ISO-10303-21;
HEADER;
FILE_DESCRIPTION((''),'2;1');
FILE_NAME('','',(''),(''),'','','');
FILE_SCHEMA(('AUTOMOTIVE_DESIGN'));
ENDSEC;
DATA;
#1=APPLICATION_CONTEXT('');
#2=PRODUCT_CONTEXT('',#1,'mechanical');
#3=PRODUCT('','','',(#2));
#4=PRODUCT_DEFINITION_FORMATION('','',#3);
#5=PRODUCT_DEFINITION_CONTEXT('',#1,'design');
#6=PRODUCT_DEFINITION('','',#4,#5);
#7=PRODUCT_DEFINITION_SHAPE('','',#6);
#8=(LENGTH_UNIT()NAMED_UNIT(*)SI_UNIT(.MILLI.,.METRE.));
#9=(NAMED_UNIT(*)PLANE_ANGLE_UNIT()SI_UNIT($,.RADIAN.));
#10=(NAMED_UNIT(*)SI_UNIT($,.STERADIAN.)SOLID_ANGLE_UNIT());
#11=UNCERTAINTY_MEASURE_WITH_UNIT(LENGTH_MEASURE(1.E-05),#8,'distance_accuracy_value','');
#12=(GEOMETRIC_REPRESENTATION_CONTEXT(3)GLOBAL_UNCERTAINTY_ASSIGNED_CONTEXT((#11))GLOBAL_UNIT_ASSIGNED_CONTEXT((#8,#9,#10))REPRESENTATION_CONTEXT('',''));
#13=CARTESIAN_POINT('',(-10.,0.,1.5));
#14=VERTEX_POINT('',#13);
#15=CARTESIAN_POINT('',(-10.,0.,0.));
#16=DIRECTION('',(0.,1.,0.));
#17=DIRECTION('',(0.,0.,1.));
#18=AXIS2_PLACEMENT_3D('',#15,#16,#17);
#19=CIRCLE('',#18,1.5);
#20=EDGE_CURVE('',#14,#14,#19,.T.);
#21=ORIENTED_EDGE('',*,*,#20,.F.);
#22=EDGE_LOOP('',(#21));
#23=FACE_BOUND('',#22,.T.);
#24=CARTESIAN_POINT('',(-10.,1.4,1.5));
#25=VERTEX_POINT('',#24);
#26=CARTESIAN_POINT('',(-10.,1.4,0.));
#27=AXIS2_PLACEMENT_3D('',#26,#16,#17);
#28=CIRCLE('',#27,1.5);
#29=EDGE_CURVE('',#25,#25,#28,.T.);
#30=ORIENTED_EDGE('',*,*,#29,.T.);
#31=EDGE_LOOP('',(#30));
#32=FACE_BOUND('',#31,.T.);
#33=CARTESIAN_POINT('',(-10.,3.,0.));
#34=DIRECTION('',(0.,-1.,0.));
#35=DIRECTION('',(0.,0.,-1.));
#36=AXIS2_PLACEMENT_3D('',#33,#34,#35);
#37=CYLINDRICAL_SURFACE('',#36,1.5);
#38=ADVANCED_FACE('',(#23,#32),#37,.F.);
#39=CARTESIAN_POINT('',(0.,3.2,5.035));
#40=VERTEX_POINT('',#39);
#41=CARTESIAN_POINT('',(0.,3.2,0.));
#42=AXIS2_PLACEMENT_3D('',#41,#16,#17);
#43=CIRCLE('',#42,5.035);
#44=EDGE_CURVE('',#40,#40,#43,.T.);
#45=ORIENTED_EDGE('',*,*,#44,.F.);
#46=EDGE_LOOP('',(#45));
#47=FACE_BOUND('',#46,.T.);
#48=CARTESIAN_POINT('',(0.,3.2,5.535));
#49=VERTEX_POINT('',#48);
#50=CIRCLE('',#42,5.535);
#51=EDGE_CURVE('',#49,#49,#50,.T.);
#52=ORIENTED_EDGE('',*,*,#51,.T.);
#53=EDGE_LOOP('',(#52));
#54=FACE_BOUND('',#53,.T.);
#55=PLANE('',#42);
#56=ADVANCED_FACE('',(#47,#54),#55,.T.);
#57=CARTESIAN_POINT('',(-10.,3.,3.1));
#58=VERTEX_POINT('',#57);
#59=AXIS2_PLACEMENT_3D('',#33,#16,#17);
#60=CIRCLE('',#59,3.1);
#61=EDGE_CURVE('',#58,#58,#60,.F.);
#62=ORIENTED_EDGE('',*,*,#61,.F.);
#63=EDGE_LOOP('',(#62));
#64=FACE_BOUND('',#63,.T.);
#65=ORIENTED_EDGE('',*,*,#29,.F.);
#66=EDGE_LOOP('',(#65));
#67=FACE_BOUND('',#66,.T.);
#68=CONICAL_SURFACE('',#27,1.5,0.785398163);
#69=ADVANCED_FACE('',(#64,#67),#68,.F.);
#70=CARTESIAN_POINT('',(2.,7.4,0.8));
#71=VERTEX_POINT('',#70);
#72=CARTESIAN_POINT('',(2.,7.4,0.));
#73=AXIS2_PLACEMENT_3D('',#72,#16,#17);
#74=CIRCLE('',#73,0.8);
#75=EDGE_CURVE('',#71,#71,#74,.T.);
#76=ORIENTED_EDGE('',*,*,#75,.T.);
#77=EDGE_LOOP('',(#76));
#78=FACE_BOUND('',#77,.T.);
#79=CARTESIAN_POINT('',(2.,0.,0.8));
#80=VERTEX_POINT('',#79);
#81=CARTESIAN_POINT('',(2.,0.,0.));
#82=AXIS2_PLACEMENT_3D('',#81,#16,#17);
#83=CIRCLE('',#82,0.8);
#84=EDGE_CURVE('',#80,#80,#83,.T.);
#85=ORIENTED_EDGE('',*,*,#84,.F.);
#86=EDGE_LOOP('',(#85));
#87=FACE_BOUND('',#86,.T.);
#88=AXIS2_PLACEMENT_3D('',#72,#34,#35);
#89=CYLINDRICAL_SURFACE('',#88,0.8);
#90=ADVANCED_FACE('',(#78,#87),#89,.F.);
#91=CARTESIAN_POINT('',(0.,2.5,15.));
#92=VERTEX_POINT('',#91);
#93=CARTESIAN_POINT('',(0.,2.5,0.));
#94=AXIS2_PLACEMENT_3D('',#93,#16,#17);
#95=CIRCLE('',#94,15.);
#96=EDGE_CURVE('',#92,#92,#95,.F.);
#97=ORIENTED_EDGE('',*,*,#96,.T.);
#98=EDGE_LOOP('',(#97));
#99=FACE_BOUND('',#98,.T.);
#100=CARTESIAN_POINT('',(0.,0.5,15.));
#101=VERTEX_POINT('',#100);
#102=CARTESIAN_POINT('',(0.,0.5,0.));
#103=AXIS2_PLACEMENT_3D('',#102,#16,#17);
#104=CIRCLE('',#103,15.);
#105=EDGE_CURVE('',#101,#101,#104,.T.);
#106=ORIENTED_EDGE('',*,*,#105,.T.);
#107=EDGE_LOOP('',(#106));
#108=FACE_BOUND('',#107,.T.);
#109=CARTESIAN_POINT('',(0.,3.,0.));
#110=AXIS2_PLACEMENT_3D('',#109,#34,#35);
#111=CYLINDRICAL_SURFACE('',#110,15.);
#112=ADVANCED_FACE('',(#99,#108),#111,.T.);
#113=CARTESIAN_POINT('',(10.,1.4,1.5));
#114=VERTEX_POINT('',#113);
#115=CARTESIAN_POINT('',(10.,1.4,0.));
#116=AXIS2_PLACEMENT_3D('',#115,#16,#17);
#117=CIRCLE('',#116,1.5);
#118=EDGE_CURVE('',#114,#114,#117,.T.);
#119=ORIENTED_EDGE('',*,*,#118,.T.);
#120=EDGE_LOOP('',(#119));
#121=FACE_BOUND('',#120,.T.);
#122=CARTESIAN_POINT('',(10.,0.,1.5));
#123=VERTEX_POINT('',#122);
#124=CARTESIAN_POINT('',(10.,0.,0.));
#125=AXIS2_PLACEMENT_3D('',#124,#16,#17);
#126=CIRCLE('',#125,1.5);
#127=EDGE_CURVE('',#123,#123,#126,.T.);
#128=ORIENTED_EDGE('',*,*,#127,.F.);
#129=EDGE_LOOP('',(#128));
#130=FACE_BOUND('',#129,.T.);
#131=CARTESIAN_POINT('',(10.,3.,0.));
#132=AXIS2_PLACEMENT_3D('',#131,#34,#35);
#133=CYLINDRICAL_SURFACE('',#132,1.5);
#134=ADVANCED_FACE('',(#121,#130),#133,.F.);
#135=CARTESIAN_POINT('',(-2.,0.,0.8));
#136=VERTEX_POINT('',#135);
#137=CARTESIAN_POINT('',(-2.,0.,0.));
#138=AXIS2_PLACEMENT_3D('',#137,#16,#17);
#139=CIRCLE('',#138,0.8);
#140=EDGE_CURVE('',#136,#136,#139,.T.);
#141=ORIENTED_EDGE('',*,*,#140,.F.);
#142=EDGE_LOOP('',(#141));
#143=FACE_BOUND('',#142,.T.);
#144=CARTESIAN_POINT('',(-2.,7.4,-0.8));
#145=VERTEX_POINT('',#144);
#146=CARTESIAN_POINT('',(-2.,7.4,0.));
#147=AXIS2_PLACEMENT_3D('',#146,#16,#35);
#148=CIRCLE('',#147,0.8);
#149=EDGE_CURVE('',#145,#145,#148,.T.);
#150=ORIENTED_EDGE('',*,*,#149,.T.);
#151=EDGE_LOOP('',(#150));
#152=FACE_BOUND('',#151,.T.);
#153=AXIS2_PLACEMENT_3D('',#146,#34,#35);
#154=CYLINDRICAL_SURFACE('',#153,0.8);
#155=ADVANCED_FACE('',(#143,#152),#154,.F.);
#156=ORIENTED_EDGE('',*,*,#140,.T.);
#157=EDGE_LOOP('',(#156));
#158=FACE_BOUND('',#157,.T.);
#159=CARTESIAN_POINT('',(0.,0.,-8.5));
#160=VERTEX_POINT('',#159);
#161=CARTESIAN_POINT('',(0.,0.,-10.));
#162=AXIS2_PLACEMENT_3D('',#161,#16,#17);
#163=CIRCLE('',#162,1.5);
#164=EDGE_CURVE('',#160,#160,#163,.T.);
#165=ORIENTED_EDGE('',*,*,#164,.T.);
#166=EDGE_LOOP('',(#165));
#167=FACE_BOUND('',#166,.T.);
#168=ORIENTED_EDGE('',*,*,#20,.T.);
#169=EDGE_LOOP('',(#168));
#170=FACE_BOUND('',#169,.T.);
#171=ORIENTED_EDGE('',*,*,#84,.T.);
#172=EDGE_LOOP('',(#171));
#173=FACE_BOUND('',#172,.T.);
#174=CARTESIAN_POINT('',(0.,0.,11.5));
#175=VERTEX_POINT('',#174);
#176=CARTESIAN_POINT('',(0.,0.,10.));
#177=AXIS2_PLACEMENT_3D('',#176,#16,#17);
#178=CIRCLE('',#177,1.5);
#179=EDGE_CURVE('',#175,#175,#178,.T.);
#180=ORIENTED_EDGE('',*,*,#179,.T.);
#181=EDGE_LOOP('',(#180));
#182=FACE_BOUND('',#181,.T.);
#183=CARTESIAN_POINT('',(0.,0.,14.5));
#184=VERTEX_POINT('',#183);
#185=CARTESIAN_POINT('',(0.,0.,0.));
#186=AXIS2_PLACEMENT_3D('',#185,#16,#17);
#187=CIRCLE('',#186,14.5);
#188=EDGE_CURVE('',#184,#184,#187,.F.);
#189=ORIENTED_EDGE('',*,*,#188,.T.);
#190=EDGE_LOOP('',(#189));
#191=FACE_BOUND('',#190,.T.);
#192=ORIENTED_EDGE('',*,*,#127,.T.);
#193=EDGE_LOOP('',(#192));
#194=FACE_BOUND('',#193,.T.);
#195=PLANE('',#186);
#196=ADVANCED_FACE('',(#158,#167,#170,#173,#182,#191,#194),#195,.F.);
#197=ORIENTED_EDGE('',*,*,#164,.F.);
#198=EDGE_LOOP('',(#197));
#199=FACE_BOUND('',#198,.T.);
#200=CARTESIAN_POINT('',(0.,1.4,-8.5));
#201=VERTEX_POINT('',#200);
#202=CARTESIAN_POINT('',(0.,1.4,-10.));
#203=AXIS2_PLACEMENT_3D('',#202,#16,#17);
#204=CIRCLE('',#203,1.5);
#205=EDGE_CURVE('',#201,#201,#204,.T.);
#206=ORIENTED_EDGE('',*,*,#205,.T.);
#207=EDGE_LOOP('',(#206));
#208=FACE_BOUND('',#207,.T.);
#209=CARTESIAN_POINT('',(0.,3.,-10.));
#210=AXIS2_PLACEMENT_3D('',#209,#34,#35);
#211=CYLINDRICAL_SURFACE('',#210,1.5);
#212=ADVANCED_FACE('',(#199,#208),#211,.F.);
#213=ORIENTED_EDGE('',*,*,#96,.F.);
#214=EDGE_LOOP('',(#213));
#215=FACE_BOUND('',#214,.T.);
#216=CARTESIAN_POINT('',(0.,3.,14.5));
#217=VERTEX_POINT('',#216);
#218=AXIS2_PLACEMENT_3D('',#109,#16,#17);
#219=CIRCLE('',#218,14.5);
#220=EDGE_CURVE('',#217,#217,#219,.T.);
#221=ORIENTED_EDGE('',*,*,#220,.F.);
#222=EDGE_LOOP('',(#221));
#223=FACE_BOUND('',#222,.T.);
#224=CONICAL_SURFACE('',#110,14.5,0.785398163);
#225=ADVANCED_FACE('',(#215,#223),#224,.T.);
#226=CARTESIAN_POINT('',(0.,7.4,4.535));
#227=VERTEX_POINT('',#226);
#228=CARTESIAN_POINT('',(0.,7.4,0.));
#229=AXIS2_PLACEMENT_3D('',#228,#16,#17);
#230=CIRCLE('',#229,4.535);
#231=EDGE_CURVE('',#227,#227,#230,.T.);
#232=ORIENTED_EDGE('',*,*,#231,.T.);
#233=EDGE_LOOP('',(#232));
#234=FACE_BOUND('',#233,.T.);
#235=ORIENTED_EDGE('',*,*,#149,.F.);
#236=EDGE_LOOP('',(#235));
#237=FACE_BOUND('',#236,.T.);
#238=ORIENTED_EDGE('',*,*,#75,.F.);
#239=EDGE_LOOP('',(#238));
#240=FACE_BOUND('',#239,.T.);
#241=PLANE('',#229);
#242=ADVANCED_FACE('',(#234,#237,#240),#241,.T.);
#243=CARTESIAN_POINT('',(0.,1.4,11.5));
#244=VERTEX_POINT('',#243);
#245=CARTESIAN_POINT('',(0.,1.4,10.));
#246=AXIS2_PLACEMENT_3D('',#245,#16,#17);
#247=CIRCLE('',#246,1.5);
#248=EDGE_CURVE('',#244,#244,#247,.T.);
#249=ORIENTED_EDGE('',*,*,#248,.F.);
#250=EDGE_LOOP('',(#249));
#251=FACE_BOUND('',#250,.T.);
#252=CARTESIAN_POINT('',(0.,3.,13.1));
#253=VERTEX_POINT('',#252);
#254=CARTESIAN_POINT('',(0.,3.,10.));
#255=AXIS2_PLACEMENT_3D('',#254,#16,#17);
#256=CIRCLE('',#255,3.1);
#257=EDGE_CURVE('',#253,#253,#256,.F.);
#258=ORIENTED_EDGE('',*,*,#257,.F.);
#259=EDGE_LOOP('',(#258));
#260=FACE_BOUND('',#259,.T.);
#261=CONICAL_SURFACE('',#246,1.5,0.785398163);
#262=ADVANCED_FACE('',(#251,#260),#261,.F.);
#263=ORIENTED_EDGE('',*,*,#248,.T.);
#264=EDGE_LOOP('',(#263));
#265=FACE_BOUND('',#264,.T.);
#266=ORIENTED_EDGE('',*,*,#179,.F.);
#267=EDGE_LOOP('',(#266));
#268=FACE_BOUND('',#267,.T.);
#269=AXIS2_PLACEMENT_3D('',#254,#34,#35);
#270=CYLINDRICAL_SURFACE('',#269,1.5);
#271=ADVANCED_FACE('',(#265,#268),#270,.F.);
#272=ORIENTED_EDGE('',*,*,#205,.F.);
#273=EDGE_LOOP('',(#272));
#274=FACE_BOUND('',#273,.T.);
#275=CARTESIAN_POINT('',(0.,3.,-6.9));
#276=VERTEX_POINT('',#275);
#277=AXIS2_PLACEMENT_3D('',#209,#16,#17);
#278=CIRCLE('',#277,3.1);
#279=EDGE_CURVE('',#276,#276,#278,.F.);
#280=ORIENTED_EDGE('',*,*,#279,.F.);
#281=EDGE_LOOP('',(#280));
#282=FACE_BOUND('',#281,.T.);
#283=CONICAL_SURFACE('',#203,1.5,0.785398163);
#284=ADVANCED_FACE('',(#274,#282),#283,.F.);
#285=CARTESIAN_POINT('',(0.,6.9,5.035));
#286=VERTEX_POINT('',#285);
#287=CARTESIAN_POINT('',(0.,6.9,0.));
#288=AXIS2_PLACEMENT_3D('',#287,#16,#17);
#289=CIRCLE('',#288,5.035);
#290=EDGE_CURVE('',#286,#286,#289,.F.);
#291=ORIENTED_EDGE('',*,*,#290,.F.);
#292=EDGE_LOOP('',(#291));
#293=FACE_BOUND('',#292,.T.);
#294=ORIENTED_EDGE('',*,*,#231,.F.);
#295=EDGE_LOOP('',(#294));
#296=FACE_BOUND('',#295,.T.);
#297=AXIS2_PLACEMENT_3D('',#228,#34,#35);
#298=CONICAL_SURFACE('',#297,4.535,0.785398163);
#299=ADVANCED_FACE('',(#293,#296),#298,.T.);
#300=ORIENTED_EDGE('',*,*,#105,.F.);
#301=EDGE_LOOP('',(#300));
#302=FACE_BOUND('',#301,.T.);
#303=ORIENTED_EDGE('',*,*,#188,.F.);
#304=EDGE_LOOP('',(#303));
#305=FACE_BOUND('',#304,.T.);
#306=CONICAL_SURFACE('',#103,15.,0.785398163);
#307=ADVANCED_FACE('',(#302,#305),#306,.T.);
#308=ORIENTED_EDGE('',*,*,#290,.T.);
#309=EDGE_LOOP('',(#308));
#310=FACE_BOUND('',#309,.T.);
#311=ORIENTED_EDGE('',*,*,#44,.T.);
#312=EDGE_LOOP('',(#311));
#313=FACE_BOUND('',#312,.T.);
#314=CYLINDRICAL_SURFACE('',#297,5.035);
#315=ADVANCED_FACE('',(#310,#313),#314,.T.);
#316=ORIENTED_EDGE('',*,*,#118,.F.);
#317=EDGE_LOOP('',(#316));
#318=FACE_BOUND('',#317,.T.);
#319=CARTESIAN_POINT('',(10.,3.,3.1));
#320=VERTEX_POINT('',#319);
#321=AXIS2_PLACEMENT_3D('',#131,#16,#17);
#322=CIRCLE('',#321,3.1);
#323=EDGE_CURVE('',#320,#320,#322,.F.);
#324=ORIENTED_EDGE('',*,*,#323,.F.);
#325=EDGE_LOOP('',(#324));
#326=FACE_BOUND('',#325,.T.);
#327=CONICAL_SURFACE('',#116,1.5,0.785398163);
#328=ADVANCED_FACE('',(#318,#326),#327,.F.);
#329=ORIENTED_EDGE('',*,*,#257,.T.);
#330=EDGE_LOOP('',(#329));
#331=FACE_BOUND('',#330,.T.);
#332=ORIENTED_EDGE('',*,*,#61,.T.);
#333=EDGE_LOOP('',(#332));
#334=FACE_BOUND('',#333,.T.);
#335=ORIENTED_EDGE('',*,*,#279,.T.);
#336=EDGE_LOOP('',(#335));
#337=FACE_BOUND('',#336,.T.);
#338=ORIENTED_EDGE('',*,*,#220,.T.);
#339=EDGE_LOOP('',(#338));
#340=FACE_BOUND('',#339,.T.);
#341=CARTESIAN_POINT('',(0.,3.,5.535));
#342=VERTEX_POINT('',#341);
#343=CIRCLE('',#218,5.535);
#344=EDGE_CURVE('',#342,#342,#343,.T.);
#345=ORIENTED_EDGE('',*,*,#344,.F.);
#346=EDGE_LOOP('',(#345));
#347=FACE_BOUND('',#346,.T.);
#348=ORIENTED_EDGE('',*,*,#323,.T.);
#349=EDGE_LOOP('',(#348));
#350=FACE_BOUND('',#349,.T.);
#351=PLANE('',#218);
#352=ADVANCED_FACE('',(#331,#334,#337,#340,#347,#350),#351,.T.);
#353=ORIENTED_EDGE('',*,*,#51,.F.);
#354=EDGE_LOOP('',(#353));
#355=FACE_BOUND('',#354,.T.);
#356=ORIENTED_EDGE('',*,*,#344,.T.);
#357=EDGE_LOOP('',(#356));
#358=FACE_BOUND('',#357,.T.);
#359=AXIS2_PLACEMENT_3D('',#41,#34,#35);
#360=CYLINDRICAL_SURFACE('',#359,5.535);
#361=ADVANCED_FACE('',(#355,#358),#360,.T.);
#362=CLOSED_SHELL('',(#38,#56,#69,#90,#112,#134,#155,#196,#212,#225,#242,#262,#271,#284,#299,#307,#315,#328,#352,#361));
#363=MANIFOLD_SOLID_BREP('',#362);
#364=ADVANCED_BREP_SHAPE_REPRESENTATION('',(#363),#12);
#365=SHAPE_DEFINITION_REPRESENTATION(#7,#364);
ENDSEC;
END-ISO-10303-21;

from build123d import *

# Parameters (mm, degrees)
SKETCH_1_R          = 15
SKETCH_1_R_2        = 1.5
EXTRUDE_1_DEPTH     = 3
SKETCH_2_R          = 5.035
SKETCH_2_R_2        = 0.8
EXTRUDE_2_DEPTH     = 4.4
SKETCH_4_R          = 5.535
EXTRUDE_3_DEPTH     = 0.2
CHAMFER_1_SIZE      = 0.5
CHAMFER_3_SIZE      = 0.5
CHAMFER_4_SIZE      = 1.6
CUT_EXTRUDE_START   = -10
SKETCH_5_R          = 0.8
CUT_EXTRUDE_1_DEPTH = 10


with BuildPart() as part:
    # 草图1 → 凸台-拉伸1 (new body)
    with BuildSketch(Plane(origin=(0, 0, 0), x_dir=(1, 0, 0), z_dir=(0, 1, 0))):
        with Locations(Location((0, 0, 0), (0, 0, 270))):
            Circle(SKETCH_1_R)
        with Locations(Location((0, 10, 0), (0, 0, 270))):
            Circle(SKETCH_1_R_2, mode=Mode.SUBTRACT)
        with Locations(Location((10, 0, 0), (0, 0, 270))):
            Circle(SKETCH_1_R_2, mode=Mode.SUBTRACT)
        with Locations(Location((0, -10, 0), (0, 0, 270))):
            Circle(SKETCH_1_R_2, mode=Mode.SUBTRACT)
        with Locations(Location((-10, 0, 0), (0, 0, 270))):
            Circle(SKETCH_1_R_2, mode=Mode.SUBTRACT)
    extrude(amount=EXTRUDE_1_DEPTH)

    # 草图2 → 凸台-拉伸2 (add)
    with BuildSketch(Plane(origin=(0, 3, 0), x_dir=(1, 0, 0), z_dir=(0, 1, 0))):
        with Locations(Location((0, 0, 0), (0, 0, 270))):
            Circle(SKETCH_2_R)
        with Locations(Location((2, 0, 0), (0, 0, 270))):
            Circle(SKETCH_2_R_2, mode=Mode.SUBTRACT)
        with Locations(Location((-2, 0, 0), (0, 0, 90))):
            Circle(SKETCH_2_R_2, mode=Mode.SUBTRACT)
    extrude(amount=EXTRUDE_2_DEPTH)

    # 草图4 → 凸台-拉伸3 (add)
    with BuildSketch(Plane(origin=(0, 3, 0), x_dir=(1, 0, 0), z_dir=(0, 1, 0))):
        with Locations(Location((0, 0, 0), (0, 0, 270))):
            Circle(SKETCH_4_R)
    extrude(amount=EXTRUDE_3_DEPTH)

    # 倒角1
    chamfer_1_edges = [part.edges().sort_by_distance(p)[0] for p in [
        (0, 7.4, -5.035),
    ]]
    chamfer(chamfer_1_edges, length=CHAMFER_1_SIZE)

    # 倒角3
    chamfer_3_edges = [part.edges().sort_by_distance(p)[0] for p in [
        (0, 0, -15),
        (0, 3, -15),
    ]]
    chamfer(chamfer_3_edges, length=CHAMFER_3_SIZE)

    # 倒角4
    chamfer_4_edges = [part.edges().sort_by_distance(p)[0] for p in [
        (0, 3, 8.5),
        (-10, 3, -1.5),
        (0, 3, -11.5),
        (10, 3, -1.5),
    ]]
    chamfer(chamfer_4_edges, length=CHAMFER_4_SIZE)

    # 草图5 → 切除-拉伸1 (cut)
    with BuildSketch(Plane(origin=(0, 7.4, 0), x_dir=(1, 0, 0), z_dir=(0, 1, 0)).offset(CUT_EXTRUDE_START)):
        with Locations(Location((2, 0, 0), (0, 0, 270))):
            Circle(SKETCH_5_R)
        with Locations(Location((-2, 0, 0), (0, 0, 90))):
            Circle(SKETCH_5_R)
    extrude(amount=CUT_EXTRUDE_1_DEPTH, mode=Mode.SUBTRACT)


solid = part.part
